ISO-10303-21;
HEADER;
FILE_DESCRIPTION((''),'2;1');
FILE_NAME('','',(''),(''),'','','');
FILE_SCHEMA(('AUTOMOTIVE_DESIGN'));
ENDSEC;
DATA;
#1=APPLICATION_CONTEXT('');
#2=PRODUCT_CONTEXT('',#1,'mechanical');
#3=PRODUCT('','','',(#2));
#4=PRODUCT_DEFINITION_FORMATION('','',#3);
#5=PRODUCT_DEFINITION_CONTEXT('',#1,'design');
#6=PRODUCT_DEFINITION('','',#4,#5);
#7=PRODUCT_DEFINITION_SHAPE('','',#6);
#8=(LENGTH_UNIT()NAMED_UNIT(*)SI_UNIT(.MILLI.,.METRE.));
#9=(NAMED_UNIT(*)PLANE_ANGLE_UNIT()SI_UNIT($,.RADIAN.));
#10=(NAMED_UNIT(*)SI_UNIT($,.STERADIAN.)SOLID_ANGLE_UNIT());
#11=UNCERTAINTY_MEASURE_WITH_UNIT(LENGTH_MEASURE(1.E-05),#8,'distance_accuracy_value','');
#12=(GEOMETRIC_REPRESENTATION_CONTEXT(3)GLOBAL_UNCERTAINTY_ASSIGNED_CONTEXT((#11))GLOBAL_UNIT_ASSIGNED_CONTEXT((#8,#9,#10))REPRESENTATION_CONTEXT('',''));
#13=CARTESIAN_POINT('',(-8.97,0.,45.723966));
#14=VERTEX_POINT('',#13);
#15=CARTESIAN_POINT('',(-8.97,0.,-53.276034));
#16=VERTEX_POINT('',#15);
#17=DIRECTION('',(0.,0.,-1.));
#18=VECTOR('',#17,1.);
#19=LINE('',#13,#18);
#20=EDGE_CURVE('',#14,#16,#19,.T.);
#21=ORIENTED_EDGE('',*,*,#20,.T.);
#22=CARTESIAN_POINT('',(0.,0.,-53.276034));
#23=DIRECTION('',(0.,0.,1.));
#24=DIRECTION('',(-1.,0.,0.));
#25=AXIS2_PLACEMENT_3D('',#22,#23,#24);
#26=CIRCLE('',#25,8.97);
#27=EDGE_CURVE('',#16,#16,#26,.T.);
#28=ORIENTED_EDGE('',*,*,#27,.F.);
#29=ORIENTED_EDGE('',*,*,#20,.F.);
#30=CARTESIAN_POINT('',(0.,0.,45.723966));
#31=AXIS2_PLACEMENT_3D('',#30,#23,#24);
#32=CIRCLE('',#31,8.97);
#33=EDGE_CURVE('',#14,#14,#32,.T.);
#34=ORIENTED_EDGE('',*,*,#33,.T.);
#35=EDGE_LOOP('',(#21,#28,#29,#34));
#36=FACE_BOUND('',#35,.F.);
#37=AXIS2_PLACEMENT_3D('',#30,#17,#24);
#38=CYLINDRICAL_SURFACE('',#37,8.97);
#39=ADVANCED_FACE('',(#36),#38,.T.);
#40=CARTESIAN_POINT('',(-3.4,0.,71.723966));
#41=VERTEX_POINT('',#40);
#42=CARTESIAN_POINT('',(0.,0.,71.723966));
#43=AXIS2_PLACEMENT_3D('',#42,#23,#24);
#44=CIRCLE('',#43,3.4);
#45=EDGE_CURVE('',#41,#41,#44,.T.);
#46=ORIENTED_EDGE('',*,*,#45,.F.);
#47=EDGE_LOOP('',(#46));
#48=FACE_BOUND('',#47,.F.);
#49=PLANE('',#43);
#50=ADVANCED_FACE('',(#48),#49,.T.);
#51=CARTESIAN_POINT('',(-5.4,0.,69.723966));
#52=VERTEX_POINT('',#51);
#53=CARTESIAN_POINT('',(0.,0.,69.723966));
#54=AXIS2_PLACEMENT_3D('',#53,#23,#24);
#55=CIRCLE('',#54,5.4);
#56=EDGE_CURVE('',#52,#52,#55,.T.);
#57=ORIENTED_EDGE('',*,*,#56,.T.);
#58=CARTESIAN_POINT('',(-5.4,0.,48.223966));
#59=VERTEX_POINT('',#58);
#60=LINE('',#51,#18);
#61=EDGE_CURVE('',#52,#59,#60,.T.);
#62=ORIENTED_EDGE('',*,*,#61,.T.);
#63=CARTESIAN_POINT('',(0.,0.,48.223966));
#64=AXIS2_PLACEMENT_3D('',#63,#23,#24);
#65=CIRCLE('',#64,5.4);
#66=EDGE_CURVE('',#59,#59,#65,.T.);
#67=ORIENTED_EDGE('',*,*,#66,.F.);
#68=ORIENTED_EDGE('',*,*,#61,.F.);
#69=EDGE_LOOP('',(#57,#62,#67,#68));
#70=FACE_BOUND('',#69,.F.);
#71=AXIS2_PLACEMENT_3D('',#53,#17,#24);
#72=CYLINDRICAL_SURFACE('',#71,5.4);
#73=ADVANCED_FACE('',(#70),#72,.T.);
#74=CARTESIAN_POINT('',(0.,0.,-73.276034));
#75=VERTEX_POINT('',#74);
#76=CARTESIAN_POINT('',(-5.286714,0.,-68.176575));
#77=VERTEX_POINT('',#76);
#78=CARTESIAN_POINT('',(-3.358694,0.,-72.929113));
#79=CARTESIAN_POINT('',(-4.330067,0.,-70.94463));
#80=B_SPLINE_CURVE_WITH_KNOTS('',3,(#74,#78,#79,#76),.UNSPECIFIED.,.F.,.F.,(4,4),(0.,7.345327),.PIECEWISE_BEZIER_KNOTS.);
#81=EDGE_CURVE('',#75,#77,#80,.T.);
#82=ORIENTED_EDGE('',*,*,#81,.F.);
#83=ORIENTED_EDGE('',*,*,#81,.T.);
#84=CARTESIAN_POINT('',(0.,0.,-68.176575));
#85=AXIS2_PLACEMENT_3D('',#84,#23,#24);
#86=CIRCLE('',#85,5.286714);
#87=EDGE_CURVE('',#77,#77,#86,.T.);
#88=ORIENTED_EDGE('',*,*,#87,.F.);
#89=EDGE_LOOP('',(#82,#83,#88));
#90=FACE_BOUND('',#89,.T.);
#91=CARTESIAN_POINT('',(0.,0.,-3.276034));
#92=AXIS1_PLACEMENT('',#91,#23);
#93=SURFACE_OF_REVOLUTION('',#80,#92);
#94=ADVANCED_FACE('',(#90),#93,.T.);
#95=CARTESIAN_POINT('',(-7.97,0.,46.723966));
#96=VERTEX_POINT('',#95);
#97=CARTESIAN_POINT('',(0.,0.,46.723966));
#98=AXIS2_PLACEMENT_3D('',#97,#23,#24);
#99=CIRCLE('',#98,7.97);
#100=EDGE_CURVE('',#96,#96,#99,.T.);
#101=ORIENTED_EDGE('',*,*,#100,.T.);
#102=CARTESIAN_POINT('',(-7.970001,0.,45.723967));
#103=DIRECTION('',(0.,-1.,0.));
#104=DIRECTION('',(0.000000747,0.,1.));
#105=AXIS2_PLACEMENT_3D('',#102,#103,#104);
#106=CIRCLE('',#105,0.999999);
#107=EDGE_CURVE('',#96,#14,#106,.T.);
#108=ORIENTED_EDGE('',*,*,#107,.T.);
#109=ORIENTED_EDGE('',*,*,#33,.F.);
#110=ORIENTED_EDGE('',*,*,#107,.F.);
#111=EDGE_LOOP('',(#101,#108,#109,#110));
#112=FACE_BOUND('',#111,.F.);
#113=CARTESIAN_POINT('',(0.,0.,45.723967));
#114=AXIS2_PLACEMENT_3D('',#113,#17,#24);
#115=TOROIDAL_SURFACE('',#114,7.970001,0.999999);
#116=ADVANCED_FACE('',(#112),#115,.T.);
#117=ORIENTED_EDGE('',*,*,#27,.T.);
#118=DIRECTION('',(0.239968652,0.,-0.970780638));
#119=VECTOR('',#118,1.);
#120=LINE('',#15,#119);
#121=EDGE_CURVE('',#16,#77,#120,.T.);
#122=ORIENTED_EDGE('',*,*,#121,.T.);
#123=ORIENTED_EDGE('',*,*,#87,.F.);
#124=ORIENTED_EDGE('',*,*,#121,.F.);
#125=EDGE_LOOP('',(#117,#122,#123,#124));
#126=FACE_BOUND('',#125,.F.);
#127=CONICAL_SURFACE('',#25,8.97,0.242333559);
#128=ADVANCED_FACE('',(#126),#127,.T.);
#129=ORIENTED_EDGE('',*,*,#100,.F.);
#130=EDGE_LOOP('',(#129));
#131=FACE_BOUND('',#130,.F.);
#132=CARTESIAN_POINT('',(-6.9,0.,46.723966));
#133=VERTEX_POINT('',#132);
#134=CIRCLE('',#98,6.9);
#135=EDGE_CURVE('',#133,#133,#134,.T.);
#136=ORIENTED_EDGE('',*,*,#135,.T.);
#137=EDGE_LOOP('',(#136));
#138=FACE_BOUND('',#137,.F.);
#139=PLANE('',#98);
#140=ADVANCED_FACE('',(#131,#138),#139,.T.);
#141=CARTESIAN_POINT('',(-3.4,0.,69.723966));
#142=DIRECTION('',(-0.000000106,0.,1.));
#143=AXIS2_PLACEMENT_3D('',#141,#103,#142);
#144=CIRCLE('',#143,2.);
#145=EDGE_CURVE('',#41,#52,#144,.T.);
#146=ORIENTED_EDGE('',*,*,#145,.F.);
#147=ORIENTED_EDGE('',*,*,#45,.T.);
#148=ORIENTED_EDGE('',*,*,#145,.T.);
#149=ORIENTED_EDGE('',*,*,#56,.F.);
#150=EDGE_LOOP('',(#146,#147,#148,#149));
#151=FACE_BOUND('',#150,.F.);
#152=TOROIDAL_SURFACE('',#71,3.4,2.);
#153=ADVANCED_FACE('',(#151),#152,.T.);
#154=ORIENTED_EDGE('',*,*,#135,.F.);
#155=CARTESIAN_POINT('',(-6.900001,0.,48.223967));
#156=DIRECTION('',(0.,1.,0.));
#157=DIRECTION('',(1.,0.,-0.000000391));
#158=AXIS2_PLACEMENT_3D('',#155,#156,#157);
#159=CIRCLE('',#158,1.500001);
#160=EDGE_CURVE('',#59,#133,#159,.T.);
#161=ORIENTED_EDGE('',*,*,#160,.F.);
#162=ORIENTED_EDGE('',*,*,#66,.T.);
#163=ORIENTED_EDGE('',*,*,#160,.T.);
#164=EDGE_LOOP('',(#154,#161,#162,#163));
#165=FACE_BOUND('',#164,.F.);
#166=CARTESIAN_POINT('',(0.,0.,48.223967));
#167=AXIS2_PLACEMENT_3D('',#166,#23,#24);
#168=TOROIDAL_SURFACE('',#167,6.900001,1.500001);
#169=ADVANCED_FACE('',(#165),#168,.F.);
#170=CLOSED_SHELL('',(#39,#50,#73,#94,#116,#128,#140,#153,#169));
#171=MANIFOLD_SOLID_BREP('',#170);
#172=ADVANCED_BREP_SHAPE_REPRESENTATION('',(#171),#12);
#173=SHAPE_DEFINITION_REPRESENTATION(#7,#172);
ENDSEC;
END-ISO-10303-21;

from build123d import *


with BuildPart() as f1:
    # F0 (on Front) → F1 (revolve)
    with BuildSketch(Plane.XZ):
        with BuildLine():
            Line((-8.97, -53.276034), (0, -53.276034))
            Line((0, -53.276034), (0, 46.723966))
            Line((0, 46.723966), (0, 71.723966))
            Line((0, 71.723966), (-3.4, 71.723966))
            ThreePointArc((-3.4, 71.723966), (-4.814214, 71.138179), (-5.4, 69.723966))
            Line((-5.4, 69.723966), (-5.4, 48.223966))
            ThreePointArc((-5.4, 48.223966), (-5.83934, 47.163306), (-6.9, 46.723966))
            Line((-6.9, 46.723966), (-7.97, 46.723966))
            ThreePointArc((-7.97, 46.723966), (-8.677107, 46.431073), (-8.97, 45.723966))
            Line((-8.97, 45.723966), (-8.97, -53.276034))
        make_face()
        with BuildLine():
            Line((0, -73.276034), (0, -53.276034))
            Line((0, -53.276034), (-8.97, -53.276034))
            Line((-8.97, -53.276034), (-5.286714, -68.176575))
            add(Edge.make_bspline(
                [(0, -73.276034), (-3.358694, -72.929113), (-4.330067, -70.94463), (-5.286714, -68.176575)],
                knots=[0, 0, 0, 0, 7.345327, 7.345327, 7.345327, 7.345327], degree=3))
        make_face()
    revolve(axis=Axis((0, 0, -3.276034), (0, 0, 1)))


solid = f1.part
